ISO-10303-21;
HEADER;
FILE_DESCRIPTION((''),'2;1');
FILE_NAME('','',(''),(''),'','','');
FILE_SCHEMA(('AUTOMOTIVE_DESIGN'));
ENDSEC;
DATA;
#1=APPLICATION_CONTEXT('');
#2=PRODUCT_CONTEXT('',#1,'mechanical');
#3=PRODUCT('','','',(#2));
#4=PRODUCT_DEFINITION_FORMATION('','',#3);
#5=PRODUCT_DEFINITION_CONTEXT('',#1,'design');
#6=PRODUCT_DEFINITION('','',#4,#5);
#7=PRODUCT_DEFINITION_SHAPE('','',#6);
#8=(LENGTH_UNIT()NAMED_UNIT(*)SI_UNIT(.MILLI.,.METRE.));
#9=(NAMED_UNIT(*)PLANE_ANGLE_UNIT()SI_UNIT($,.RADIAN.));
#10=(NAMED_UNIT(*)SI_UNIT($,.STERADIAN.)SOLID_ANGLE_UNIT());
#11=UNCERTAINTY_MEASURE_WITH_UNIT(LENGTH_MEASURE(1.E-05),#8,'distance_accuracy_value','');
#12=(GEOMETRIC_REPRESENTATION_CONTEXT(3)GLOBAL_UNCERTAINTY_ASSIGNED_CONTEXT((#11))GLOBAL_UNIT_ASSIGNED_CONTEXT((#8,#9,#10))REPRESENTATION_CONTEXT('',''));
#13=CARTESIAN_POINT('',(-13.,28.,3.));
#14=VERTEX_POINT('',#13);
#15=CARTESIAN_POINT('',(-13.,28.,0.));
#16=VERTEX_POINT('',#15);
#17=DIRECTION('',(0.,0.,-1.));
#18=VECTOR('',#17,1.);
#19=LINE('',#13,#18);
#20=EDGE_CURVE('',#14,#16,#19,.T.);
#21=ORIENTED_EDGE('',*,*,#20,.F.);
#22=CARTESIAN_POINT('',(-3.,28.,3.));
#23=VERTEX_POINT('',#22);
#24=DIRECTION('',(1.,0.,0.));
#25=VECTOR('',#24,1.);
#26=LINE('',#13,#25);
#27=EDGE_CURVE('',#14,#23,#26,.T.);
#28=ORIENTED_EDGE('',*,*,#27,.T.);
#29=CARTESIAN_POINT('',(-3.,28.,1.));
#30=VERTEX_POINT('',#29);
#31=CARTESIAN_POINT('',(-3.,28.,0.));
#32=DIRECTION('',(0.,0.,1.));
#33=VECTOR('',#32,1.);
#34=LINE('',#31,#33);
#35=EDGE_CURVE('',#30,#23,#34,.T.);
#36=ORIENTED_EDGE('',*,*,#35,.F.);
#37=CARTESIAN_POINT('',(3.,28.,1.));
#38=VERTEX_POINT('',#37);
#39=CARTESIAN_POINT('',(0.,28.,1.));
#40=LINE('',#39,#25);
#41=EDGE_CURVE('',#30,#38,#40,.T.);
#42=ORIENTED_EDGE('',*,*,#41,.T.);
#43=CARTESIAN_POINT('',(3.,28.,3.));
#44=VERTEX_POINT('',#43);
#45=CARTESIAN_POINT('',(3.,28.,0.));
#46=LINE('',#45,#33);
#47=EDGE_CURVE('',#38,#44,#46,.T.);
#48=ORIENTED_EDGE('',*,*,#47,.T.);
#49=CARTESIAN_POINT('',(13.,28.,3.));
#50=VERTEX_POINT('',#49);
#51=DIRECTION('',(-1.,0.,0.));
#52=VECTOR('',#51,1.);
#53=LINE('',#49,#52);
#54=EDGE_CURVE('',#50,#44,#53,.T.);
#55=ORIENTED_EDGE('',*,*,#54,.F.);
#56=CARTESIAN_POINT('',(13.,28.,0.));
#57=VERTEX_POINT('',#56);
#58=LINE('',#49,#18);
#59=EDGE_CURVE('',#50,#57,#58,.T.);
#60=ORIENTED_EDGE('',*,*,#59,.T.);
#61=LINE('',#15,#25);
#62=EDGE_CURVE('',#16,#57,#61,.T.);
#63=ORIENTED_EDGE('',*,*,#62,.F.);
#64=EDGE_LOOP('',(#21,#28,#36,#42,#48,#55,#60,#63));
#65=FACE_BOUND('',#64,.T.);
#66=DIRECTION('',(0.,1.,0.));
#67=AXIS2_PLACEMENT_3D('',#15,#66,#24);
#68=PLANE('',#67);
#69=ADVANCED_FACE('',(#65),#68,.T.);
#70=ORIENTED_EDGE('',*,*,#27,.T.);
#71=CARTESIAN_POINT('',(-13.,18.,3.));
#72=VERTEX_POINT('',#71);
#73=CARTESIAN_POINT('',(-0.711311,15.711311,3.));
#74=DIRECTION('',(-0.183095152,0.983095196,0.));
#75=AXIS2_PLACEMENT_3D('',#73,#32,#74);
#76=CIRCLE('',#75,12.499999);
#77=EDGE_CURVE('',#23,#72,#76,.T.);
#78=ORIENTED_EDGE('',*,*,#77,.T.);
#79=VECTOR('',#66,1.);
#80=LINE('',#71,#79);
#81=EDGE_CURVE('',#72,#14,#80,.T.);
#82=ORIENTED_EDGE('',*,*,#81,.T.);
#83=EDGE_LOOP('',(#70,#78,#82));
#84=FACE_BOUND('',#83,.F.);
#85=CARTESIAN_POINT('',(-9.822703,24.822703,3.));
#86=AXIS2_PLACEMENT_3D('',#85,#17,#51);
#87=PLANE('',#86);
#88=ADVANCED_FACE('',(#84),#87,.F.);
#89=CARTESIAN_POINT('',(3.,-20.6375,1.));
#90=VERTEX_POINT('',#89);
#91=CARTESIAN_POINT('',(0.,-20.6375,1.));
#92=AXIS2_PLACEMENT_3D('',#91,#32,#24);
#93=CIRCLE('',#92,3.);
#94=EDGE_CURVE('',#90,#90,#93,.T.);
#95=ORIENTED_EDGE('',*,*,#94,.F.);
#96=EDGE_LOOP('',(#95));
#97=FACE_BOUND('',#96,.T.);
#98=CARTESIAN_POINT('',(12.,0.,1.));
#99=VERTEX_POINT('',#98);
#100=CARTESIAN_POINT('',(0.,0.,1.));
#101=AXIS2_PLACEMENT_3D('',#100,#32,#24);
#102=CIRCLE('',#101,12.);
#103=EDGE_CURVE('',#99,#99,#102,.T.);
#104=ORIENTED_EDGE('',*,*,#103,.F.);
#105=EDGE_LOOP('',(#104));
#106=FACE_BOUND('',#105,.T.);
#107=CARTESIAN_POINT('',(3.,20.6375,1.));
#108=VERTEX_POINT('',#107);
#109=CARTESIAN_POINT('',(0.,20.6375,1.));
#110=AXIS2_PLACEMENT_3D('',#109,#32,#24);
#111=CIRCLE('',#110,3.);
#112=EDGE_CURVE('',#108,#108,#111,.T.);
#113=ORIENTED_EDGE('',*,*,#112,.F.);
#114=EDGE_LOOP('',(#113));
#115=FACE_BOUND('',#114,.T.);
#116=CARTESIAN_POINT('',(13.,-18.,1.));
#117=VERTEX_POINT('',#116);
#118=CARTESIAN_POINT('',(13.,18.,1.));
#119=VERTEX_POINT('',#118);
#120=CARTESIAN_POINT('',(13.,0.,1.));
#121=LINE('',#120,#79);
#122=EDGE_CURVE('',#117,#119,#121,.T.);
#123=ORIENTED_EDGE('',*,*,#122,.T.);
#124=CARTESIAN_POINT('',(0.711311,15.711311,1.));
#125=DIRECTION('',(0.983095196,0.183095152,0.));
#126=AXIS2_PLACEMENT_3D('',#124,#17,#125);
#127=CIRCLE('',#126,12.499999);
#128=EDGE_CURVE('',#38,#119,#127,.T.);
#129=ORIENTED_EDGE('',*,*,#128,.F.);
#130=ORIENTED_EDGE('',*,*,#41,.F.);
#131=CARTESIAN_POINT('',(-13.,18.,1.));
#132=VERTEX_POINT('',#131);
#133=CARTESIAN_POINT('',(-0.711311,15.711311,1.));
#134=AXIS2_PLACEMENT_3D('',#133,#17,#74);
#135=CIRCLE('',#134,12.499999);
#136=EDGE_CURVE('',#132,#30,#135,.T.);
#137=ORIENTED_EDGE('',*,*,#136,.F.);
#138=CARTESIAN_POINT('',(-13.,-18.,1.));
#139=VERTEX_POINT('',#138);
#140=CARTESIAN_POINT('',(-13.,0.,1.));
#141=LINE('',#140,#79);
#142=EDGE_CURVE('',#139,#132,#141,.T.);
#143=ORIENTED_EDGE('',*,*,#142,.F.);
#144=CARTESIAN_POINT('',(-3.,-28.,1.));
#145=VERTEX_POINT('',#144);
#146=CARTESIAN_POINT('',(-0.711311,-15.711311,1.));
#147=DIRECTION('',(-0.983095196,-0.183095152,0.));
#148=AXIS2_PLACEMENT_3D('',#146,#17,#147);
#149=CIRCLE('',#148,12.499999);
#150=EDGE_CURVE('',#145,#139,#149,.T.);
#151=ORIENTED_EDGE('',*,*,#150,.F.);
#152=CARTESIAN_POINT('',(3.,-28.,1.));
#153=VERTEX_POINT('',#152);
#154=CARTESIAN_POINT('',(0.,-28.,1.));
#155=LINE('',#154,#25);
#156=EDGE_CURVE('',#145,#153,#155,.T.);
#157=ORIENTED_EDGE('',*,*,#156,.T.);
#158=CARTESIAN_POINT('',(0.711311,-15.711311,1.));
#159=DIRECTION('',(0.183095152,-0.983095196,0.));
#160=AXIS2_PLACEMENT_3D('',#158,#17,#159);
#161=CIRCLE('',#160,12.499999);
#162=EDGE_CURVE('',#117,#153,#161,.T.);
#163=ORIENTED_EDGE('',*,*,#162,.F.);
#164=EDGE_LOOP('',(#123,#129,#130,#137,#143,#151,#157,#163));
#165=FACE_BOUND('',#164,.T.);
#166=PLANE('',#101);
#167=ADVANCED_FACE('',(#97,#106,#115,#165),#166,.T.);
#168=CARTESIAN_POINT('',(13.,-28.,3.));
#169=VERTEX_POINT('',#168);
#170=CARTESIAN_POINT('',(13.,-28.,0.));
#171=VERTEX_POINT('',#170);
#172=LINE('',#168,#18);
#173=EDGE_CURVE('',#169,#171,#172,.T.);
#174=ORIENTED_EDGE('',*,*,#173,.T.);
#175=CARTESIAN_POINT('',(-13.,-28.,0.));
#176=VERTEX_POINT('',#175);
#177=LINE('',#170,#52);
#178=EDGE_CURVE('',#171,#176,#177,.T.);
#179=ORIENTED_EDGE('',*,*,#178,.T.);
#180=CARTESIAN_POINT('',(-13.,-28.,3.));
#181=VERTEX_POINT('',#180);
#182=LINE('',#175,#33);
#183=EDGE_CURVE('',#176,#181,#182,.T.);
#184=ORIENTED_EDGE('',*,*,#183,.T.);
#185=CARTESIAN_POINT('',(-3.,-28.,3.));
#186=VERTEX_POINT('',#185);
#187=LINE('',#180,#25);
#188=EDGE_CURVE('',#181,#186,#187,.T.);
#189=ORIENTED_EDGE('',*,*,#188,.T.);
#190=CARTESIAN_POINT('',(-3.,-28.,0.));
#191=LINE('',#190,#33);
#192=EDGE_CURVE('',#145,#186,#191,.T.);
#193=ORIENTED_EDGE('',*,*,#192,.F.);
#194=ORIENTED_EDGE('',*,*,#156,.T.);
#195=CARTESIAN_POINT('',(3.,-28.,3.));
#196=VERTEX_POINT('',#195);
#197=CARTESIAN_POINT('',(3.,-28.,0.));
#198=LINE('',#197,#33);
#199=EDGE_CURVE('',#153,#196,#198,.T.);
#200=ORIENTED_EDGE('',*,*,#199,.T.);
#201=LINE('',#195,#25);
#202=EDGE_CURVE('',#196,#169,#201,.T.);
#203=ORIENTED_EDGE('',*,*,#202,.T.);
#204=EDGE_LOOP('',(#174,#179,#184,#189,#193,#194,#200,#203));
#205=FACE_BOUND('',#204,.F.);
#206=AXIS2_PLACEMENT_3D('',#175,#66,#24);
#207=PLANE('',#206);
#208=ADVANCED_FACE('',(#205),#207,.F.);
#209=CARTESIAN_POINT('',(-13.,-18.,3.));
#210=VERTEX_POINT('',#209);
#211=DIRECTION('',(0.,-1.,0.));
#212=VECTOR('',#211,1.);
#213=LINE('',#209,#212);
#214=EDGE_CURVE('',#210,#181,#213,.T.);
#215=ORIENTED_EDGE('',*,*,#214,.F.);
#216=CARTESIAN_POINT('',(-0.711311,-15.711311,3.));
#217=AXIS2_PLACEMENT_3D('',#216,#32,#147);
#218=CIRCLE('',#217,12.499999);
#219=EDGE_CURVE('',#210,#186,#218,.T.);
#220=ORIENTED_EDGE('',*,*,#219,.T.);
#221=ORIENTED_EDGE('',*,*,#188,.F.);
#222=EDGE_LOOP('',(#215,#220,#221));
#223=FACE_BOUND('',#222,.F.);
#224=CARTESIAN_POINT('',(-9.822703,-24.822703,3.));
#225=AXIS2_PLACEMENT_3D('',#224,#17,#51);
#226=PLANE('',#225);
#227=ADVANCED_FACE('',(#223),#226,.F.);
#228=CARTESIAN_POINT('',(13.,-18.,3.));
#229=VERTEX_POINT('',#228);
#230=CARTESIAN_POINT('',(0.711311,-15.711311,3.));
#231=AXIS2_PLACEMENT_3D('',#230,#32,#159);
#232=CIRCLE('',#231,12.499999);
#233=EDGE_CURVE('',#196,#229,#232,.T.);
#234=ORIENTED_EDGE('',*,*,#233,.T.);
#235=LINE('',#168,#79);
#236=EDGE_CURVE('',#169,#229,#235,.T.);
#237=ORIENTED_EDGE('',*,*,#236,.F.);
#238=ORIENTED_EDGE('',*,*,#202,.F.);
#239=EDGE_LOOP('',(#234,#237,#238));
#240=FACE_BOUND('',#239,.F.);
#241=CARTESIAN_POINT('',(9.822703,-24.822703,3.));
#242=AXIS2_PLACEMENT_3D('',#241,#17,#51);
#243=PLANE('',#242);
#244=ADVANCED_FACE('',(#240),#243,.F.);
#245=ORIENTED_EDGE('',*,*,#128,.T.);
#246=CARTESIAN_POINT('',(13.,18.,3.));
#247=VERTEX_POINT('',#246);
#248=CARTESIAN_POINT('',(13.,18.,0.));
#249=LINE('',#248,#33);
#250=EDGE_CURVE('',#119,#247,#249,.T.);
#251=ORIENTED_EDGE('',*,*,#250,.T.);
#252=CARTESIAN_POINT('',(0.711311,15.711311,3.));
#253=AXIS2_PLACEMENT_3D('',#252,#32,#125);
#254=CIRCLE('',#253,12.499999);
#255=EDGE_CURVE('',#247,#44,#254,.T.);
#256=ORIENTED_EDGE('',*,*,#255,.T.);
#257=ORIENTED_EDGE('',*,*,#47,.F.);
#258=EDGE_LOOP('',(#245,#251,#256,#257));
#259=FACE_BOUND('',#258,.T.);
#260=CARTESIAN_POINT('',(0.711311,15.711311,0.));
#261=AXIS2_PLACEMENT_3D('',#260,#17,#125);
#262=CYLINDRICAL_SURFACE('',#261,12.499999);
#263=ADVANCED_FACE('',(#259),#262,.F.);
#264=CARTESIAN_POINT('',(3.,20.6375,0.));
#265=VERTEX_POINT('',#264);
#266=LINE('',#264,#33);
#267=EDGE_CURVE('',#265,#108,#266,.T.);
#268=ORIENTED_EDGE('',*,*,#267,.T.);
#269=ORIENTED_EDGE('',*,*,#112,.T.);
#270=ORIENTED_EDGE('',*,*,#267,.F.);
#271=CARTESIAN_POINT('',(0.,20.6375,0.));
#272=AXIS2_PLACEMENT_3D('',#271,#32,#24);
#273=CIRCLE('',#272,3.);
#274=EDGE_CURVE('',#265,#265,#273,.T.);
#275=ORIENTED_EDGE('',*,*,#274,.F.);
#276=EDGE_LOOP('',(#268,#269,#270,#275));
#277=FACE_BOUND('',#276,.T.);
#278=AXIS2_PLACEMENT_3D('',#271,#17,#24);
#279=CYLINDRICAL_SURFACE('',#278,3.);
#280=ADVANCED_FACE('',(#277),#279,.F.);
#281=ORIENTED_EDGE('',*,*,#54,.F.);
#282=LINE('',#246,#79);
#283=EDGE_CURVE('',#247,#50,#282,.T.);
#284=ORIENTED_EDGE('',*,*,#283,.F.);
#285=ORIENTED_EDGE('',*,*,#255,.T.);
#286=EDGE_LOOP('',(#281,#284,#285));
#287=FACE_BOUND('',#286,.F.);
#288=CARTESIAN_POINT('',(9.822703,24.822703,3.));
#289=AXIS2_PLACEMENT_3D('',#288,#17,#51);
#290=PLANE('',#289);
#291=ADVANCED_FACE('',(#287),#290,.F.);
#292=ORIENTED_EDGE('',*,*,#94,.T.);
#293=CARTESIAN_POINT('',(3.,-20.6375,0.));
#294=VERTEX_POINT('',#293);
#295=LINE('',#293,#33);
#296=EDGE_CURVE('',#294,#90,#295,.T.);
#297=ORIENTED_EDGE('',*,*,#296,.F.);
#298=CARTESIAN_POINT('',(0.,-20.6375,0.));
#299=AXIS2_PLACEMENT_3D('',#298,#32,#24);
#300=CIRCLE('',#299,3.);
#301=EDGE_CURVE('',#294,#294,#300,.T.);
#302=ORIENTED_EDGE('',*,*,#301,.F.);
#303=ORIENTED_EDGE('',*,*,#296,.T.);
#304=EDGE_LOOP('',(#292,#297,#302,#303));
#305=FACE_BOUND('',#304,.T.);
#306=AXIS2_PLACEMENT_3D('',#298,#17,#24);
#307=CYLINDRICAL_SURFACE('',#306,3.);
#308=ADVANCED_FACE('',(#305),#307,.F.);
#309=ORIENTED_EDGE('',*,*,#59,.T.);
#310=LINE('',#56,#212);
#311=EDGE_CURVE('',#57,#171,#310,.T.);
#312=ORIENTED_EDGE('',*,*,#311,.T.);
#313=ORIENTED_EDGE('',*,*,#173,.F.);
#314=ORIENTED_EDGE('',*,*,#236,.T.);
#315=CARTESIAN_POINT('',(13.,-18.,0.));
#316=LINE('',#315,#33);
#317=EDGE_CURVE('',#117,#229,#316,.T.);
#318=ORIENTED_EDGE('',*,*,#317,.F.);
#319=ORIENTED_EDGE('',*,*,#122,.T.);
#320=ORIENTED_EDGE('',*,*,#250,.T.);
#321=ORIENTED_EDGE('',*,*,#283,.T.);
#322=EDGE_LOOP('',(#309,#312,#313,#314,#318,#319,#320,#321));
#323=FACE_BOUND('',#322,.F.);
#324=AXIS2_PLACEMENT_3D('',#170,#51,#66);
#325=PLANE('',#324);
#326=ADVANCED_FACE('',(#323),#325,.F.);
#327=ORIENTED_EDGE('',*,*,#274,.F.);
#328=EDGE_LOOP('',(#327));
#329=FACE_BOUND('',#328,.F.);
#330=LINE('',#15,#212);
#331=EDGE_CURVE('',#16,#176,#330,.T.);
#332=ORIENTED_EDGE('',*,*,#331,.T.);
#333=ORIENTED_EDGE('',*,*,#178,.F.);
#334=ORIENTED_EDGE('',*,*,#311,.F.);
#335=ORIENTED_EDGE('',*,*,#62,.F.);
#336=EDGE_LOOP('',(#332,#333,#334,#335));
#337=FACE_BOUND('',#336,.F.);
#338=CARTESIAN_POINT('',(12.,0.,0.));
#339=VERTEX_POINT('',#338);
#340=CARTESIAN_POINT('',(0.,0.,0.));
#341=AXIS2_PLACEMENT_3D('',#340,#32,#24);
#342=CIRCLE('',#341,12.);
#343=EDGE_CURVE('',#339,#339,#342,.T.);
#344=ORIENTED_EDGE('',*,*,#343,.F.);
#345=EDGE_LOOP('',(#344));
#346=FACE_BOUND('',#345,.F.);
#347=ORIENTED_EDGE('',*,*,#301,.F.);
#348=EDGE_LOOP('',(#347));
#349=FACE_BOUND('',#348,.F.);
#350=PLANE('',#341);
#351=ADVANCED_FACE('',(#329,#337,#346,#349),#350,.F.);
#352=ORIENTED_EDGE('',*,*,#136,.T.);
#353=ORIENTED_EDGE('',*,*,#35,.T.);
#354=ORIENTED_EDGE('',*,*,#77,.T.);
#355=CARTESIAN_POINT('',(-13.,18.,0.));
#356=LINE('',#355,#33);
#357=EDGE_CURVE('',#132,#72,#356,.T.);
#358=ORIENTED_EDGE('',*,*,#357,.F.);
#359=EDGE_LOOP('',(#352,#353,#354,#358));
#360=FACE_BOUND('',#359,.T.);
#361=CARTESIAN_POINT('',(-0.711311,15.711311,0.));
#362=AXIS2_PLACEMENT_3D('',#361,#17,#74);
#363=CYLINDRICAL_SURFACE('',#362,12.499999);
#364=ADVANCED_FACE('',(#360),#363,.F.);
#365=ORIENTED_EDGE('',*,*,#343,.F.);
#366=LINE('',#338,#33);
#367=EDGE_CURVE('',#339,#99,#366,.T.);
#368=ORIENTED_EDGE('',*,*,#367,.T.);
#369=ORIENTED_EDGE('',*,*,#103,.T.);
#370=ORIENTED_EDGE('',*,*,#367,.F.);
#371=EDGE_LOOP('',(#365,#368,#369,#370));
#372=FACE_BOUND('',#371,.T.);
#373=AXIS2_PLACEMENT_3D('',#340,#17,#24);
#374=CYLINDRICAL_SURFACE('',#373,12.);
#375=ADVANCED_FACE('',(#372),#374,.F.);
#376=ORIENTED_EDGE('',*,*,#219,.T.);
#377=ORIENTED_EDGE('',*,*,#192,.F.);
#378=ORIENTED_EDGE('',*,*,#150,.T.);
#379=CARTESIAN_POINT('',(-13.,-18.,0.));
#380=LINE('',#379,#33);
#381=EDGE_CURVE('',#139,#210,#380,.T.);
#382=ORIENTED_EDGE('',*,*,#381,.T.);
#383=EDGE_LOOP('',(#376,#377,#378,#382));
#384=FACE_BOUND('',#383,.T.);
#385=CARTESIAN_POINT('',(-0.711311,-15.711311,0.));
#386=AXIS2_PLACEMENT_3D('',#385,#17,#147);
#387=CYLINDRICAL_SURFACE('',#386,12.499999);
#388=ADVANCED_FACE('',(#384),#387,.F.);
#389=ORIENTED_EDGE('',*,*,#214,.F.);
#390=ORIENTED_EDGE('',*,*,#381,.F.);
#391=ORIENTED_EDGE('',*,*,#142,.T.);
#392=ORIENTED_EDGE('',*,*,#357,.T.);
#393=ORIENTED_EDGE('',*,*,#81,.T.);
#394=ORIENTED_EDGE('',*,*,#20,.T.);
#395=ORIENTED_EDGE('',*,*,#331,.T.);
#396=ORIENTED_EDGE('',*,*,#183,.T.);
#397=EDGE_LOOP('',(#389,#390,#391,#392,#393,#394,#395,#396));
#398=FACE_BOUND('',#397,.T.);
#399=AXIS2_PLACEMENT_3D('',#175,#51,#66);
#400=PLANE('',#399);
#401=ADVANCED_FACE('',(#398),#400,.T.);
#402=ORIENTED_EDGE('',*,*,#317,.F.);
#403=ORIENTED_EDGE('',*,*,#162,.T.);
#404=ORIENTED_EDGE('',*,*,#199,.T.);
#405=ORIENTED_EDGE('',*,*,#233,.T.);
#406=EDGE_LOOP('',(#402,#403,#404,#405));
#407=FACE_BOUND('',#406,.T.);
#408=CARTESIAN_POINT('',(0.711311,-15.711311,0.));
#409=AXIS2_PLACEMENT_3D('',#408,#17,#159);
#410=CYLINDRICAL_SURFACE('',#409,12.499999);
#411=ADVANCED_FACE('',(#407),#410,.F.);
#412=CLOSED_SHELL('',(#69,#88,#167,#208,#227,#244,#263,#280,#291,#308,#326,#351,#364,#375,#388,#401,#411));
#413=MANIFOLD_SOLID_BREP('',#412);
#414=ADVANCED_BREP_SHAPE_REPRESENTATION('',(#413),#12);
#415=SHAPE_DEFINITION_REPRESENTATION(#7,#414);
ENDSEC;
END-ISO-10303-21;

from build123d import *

# Parameters (mm, degrees)
SKETCH_W     = 26
SKETCH_H     = 56
SKETCH_R     = 3
SKETCH_R_2   = 12
PAD_DEPTH    = 1
PAD001_DEPTH = 3


with BuildPart() as part:
    # Sketch → Pad (new body)
    with BuildSketch(Plane.XY):
        Rectangle(SKETCH_W, SKETCH_H)
        with Locations((0, 20.6375)):
            Circle(SKETCH_R, mode=Mode.SUBTRACT)
        with Locations((0, -20.6375)):
            Circle(SKETCH_R, mode=Mode.SUBTRACT)
        Circle(SKETCH_R_2, mode=Mode.SUBTRACT)
    extrude(amount=PAD_DEPTH)

    # Sketch001 → Pad001 (join)
    with BuildSketch(Plane.XY):
        with BuildLine():
            ThreePointArc((-3, 28), (-9.550145, 24.550145), (-13, 18))
            Line((-13, 18), (-13, 28))
            Line((-13, 28), (-3, 28))
        make_face()
        with BuildLine():
            ThreePointArc((13, 18), (9.550145, 24.550145), (3, 28))
            Line((13, 28), (3, 28))
            Line((13, 18), (13, 28))
        make_face()
        with BuildLine():
            ThreePointArc((-13, -18), (-9.550145, -24.550145), (-3, -28))
            Line((-13, -28), (-3, -28))
            Line((-13, -18), (-13, -28))
        make_face()
        with BuildLine():
            ThreePointArc((3, -28), (9.550145, -24.550145), (13, -18))
            Line((13, -28), (13, -18))
            Line((3, -28), (13, -28))
        make_face()
    extrude(amount=PAD001_DEPTH)


solid = part.part
